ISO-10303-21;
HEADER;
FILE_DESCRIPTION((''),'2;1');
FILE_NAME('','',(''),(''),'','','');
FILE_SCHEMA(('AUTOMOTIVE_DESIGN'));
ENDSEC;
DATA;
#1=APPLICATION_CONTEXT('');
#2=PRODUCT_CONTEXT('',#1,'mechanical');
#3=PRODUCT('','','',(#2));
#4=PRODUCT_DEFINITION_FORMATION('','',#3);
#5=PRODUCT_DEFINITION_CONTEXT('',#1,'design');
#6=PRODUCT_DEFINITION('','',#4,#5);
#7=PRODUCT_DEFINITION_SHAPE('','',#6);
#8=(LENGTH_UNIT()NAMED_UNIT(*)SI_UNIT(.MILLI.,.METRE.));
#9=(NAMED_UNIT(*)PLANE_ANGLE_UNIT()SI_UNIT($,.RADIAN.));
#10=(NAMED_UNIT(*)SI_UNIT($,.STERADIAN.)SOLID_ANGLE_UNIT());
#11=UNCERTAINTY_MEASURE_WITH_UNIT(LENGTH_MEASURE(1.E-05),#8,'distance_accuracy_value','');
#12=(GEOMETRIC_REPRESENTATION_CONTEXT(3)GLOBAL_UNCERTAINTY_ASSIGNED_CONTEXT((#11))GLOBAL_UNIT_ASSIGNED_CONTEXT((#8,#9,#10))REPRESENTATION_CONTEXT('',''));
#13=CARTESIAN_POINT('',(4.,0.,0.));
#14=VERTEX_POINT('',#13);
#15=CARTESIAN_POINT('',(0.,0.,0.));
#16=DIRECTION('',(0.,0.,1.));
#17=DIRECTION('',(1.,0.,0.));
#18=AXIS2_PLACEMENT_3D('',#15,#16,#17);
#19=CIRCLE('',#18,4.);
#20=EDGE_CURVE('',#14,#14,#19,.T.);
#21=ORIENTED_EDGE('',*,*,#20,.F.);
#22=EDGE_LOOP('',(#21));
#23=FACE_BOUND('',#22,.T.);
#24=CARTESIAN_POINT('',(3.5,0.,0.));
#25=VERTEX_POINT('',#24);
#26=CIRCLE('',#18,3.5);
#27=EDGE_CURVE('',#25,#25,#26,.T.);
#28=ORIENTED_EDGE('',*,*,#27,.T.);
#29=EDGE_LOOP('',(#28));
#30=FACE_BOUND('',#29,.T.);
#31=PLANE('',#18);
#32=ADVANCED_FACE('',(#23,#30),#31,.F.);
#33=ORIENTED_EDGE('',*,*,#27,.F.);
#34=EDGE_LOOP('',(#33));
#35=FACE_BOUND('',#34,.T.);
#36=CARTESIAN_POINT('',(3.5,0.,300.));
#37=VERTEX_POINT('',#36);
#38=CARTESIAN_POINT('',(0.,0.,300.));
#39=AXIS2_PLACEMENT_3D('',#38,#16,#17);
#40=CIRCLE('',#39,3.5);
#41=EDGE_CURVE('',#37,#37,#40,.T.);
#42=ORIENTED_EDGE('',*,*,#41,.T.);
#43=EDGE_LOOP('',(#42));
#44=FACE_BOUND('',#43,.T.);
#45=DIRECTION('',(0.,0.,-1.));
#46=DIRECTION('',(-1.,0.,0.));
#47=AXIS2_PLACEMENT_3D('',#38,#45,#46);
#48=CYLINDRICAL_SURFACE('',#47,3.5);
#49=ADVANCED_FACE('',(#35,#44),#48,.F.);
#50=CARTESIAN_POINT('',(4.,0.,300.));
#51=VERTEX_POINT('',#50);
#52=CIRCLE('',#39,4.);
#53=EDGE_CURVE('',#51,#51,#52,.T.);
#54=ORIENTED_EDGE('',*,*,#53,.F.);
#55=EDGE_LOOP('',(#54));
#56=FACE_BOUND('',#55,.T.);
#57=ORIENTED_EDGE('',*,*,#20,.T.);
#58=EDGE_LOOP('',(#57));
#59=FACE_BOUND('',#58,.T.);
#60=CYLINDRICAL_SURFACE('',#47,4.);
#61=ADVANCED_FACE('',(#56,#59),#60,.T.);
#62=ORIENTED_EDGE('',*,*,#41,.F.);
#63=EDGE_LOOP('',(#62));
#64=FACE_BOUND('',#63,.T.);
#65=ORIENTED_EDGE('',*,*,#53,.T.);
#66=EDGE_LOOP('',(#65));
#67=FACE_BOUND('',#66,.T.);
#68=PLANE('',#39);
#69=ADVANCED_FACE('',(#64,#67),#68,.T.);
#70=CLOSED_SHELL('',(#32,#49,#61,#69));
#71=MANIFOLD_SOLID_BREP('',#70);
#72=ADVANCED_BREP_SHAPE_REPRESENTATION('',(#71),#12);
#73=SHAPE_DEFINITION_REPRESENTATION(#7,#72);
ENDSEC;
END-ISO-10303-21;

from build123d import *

# Parameters (mm, degrees)
SKETCH1_R           = 4
SKETCH1_R_2         = 3.5
BOSS_EXTRUDE1_DEPTH = 300


with BuildPart() as part:
    # Sketch1 → Boss-Extrude1 (new body)
    with BuildSketch(Plane.XY):
        Circle(SKETCH1_R)
        Circle(SKETCH1_R_2, mode=Mode.SUBTRACT)
    extrude(amount=BOSS_EXTRUDE1_DEPTH)


solid = part.part
